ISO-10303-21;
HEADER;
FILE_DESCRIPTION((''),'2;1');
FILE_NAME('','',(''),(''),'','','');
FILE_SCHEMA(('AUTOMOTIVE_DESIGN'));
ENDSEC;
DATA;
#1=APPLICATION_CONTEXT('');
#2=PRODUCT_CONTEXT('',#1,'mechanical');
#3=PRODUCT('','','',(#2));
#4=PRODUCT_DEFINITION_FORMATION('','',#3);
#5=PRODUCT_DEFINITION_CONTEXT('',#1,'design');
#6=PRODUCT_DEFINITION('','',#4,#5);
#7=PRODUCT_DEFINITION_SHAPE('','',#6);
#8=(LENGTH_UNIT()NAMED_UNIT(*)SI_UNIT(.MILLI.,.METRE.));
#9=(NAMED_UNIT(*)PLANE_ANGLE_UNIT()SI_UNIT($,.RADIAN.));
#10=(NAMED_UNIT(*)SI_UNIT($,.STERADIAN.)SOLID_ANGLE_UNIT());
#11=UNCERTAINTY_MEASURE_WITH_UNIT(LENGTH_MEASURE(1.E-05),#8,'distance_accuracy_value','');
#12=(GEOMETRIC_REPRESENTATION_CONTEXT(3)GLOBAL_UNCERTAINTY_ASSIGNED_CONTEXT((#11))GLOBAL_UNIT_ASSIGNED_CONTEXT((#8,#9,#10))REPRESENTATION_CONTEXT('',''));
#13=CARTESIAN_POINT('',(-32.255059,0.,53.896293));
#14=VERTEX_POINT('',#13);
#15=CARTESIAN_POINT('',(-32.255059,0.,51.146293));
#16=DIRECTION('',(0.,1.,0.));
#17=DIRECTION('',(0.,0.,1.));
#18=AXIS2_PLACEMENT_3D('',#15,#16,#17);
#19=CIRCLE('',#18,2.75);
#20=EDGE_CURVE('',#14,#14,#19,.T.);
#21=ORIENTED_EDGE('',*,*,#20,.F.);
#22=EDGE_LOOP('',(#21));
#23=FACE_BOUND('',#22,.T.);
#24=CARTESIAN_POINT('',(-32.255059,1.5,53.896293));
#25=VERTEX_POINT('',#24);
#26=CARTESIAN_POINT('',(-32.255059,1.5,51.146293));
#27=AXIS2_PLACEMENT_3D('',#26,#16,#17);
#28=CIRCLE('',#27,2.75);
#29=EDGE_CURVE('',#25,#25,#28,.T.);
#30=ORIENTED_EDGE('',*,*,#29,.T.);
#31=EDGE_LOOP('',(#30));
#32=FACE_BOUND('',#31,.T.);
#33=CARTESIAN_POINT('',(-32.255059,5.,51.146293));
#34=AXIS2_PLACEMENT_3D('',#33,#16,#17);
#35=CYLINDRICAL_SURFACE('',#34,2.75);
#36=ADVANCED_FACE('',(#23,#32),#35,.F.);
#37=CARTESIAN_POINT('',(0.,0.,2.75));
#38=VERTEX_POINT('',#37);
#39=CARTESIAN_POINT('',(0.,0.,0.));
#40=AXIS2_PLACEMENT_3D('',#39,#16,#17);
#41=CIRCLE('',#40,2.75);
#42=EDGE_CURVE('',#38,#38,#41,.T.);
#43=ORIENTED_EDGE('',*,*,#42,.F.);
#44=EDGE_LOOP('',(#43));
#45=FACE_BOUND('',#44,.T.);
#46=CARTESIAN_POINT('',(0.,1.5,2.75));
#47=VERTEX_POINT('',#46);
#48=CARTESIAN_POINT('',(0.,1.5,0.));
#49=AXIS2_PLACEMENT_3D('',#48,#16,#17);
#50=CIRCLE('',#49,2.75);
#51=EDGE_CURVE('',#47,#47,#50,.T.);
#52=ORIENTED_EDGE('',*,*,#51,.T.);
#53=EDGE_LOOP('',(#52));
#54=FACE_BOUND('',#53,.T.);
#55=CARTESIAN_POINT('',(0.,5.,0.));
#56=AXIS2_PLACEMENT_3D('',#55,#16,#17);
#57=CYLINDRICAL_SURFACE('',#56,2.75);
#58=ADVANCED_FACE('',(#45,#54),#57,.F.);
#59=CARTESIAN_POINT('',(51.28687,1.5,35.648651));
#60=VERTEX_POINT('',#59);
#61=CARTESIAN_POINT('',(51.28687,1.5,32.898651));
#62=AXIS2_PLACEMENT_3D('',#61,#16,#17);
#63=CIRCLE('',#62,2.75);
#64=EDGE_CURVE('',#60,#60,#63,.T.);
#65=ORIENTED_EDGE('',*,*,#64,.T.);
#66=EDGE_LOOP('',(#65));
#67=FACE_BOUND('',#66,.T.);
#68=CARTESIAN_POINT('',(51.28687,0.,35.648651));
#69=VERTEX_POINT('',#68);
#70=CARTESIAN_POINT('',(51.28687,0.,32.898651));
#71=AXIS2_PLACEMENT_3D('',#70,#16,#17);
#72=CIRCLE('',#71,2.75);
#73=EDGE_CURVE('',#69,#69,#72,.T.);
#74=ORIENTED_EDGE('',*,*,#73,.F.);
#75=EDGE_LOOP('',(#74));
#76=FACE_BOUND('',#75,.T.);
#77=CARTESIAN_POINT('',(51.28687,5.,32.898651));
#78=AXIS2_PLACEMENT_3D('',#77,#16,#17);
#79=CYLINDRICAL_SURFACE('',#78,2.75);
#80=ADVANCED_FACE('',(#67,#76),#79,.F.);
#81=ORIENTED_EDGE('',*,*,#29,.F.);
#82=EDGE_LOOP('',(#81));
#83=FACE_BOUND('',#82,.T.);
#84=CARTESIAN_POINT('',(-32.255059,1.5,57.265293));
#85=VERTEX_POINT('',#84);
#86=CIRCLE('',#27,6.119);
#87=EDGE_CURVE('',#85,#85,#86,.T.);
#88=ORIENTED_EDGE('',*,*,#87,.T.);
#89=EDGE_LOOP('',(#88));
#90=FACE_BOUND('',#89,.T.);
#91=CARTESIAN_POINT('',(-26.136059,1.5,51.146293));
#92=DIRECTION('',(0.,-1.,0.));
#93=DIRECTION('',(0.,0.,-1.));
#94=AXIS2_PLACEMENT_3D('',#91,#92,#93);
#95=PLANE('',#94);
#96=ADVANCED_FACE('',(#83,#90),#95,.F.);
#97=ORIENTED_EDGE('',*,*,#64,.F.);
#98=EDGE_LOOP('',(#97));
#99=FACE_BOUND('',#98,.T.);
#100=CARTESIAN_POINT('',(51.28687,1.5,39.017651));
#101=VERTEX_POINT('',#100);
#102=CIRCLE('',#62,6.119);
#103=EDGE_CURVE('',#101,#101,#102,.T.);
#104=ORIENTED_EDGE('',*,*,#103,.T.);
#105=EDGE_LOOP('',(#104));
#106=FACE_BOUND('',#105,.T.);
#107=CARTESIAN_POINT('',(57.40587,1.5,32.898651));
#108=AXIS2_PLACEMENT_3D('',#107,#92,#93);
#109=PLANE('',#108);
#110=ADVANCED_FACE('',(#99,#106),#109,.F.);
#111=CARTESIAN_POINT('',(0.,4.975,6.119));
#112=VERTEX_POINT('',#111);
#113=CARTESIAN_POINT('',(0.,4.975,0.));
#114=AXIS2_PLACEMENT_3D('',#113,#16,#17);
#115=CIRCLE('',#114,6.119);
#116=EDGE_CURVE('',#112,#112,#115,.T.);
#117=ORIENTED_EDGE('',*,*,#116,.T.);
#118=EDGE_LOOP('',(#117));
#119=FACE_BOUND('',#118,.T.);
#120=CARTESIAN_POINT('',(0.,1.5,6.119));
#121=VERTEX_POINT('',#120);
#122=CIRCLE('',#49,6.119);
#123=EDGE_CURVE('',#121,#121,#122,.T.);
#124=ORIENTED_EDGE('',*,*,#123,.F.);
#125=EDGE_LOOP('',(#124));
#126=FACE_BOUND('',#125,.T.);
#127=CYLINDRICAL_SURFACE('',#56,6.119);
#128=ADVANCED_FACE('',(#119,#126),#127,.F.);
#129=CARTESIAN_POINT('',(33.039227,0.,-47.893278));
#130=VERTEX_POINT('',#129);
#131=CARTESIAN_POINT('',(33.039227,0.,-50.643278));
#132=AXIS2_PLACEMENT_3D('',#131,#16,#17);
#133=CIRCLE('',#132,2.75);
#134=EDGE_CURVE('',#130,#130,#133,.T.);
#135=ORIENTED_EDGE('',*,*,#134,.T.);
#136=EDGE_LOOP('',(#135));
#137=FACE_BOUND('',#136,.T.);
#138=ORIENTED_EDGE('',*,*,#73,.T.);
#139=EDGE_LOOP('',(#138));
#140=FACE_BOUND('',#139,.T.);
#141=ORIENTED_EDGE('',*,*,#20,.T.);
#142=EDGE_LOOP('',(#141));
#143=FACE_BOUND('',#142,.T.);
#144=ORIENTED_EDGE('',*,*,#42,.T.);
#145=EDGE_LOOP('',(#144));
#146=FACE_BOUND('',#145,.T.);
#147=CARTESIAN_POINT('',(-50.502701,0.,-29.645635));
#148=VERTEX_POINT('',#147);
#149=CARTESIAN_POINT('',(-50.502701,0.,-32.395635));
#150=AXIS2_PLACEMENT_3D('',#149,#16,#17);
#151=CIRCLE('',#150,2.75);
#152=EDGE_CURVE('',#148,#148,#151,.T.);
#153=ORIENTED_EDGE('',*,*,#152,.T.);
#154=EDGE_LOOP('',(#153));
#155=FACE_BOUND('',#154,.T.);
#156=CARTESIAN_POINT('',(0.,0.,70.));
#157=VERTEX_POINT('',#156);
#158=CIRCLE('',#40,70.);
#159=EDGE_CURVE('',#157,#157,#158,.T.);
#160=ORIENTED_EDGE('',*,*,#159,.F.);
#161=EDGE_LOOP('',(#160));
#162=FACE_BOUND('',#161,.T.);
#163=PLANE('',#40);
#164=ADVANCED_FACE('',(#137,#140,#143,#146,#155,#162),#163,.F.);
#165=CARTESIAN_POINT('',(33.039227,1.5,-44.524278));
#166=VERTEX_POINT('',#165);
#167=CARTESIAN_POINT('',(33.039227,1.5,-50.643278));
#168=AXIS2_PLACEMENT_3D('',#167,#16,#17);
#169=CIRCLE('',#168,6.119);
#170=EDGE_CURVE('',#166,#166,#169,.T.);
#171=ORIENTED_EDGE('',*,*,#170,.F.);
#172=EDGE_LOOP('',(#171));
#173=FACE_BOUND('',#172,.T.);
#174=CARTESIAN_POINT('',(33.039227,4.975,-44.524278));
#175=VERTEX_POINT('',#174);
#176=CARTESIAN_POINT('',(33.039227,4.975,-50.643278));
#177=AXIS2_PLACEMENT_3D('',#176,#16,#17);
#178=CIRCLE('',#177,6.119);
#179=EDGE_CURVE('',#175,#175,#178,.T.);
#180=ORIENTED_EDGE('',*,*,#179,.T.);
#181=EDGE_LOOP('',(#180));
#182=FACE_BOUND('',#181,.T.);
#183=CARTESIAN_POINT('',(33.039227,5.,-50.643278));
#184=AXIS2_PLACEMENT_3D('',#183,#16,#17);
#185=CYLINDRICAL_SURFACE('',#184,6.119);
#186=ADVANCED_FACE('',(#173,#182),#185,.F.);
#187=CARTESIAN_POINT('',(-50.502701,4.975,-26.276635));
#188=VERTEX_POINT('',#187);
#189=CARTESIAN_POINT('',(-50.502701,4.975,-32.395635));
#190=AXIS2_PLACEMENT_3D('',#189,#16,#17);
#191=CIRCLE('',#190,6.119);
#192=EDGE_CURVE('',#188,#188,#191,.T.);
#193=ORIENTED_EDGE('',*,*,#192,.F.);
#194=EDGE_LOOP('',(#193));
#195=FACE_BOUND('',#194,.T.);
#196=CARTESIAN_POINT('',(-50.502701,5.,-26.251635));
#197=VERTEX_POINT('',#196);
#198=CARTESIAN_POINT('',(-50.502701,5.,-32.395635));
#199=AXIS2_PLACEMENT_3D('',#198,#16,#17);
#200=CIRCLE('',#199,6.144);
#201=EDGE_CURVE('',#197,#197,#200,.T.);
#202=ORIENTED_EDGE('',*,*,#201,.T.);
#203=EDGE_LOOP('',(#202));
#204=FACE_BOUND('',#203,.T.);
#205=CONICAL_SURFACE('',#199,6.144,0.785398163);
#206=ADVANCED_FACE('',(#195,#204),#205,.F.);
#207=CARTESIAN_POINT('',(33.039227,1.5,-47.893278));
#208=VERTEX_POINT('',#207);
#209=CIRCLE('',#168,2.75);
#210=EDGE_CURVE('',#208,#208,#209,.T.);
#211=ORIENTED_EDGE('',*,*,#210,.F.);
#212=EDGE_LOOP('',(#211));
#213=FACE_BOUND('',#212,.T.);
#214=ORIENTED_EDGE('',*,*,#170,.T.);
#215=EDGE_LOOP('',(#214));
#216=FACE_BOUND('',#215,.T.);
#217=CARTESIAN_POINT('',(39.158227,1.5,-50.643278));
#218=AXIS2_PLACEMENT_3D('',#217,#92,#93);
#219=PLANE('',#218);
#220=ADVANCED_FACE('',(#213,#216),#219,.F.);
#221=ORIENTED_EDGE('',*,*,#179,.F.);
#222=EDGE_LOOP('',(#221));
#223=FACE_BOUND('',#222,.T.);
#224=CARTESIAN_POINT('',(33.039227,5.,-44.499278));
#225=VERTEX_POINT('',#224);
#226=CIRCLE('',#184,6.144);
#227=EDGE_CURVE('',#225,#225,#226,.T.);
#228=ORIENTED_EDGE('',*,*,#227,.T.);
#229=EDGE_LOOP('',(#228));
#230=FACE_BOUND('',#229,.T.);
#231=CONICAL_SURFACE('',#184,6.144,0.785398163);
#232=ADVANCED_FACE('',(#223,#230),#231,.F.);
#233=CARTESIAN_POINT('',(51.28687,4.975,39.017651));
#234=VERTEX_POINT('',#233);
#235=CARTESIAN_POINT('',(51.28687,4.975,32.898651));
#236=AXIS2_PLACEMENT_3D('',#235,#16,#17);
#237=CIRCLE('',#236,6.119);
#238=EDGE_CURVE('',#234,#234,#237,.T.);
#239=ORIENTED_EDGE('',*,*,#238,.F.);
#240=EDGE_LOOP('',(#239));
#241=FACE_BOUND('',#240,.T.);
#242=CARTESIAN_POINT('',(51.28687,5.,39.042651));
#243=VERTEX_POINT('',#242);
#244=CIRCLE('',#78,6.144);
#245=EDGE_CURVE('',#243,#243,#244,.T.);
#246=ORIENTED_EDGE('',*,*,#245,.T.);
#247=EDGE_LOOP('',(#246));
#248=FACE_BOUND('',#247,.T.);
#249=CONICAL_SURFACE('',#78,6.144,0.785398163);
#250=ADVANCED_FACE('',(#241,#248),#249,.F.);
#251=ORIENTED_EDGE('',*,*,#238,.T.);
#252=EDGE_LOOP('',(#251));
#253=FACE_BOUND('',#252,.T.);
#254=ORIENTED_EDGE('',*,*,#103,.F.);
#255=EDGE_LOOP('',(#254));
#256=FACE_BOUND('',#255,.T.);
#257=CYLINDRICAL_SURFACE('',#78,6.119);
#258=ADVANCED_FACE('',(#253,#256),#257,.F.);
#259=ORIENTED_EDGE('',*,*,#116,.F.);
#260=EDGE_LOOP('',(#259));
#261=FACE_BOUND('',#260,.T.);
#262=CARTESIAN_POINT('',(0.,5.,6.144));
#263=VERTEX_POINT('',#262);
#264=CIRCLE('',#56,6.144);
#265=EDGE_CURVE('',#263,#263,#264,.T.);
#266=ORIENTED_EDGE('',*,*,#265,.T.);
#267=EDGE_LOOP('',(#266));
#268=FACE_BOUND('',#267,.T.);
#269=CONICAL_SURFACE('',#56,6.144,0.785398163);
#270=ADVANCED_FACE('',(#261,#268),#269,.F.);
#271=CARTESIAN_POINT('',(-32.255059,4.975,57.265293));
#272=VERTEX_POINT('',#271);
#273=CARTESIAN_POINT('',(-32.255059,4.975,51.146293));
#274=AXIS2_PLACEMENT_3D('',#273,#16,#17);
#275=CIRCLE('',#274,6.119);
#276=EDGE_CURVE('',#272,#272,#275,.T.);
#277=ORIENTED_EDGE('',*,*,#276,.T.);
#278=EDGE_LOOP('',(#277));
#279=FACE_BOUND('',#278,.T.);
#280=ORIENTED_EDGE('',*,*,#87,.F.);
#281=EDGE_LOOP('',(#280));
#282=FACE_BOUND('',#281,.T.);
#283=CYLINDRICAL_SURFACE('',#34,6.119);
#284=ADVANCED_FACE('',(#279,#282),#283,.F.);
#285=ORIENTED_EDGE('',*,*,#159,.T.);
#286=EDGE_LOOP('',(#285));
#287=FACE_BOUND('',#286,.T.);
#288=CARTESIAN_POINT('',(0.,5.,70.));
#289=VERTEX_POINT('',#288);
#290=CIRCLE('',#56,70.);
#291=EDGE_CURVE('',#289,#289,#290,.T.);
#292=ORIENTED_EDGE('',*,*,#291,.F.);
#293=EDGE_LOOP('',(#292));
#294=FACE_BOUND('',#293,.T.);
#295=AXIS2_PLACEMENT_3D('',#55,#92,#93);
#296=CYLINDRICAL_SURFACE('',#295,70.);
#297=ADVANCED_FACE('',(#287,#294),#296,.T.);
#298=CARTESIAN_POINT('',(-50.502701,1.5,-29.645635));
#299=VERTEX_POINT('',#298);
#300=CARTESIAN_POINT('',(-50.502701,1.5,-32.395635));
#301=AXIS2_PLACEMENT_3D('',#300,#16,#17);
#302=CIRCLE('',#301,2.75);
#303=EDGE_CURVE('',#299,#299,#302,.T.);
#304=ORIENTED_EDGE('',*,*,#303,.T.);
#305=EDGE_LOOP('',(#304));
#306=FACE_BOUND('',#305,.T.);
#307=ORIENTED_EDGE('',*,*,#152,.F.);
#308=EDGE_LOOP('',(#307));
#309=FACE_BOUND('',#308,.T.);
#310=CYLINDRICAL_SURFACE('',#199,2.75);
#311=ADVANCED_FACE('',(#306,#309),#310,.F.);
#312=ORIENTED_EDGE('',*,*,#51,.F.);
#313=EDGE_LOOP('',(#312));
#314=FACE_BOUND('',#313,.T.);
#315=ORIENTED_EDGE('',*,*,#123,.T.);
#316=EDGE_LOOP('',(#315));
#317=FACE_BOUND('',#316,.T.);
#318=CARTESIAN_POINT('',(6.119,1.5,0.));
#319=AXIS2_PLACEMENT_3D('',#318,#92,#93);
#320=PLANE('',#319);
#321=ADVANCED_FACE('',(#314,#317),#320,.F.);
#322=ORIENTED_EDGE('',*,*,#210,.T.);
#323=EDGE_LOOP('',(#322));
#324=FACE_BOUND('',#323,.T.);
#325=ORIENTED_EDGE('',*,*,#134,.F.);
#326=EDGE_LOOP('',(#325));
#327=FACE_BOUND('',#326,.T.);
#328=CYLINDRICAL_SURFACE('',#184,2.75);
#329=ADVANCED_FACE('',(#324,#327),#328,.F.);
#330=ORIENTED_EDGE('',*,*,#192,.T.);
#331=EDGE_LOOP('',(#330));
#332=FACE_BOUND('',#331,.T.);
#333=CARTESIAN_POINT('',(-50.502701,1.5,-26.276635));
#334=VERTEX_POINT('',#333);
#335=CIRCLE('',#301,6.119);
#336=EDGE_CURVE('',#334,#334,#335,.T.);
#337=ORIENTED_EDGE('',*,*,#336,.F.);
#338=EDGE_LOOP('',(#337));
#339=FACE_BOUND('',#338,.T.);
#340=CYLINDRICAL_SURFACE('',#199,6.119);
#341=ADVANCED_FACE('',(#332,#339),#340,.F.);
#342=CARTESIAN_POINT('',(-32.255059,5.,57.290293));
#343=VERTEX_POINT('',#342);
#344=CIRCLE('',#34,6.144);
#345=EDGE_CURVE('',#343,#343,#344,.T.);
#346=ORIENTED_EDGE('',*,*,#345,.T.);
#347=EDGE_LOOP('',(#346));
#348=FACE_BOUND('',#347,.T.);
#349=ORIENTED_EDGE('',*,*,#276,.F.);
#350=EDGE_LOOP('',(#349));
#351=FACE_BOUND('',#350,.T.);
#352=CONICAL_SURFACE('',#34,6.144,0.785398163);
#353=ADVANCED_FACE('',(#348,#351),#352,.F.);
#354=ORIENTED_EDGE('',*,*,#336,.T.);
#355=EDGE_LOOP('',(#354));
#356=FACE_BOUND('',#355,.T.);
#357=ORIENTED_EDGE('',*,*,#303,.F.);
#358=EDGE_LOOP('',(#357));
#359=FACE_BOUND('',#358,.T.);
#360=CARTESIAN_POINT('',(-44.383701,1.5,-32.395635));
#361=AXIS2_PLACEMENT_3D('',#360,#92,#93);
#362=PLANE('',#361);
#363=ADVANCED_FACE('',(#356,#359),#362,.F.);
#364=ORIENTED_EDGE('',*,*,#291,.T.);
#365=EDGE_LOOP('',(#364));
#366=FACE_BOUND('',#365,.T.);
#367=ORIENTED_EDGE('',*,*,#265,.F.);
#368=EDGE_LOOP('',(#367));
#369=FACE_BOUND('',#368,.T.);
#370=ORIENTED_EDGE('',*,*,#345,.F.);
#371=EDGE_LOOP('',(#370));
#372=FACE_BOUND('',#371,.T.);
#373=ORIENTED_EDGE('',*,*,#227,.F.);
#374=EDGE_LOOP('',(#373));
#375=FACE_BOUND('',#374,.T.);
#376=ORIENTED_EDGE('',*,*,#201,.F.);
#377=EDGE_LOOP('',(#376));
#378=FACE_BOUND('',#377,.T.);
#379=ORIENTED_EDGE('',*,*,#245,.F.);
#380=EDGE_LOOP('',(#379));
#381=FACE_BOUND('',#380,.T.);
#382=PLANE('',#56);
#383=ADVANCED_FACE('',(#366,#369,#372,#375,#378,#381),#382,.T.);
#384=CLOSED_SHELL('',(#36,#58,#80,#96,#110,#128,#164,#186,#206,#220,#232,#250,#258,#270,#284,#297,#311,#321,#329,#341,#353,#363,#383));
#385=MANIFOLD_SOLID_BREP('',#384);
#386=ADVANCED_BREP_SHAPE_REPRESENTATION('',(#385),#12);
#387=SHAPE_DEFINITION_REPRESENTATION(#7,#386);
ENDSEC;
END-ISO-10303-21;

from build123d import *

# Parameters (mm, degrees)
SKETCH1_R           = 70
BOSS_EXTRUDE1_DEPTH = 5
CIRPATTERN1_COUNT   = 4


with BuildPart() as part:
    # Sketch1 → Boss-Extrude1 (new body)
    with BuildSketch(Plane(origin=(0, 0, 0), x_dir=(1, 0, 0), z_dir=(0, 1, 0))):
        Circle(SKETCH1_R)
    extrude(amount=BOSS_EXTRUDE1_DEPTH)

    # Sketch3 → CBORE for M5 Hex Head Bolt1 (revolve, cut)
    with BuildSketch(Plane(origin=(-50.502701159, 5, -32.395635133), x_dir=(0, 0, 1), z_dir=(1, 0, 0))):
        Polygon((0, 0), (0, 5), (2.75, 5), (2.75, 3.5), (6.119, 3.5), (6.119, 0.025), (6.144, 0), align=None)
    cbore_for_m5_hex_head_bolt1 = revolve(axis=Axis((-50.502701159, 11.35, -32.395635133), (0, -1, 0)), mode=Mode.SUBTRACT)

    # CirPattern1: CBORE for M5 Hex Head Bolt1 ×4 about axis
    cirpattern1_axis = Axis((0.392084454, 0, 0.251507833), (0, 1, 0))
    for i in range(1, CIRPATTERN1_COUNT):
        add(cbore_for_m5_hex_head_bolt1.rotate(cirpattern1_axis, i * 360 / CIRPATTERN1_COUNT), mode=Mode.SUBTRACT)

    # Sketch7 → CBORE for M5 Hex Head Bolt2 (revolve, cut)
    with BuildSketch(Plane(origin=(0, 5, 0), x_dir=(0, 0, 1), z_dir=(1, 0, 0))):
        Polygon((0, 0), (0, 5), (2.75, 5), (2.75, 3.5), (6.119, 3.5), (6.119, 0.025), (6.144, 0), align=None)
    revolve(axis=Axis((0, 11.35, 0), (0, -1, 0)), mode=Mode.SUBTRACT)


solid = part.part
